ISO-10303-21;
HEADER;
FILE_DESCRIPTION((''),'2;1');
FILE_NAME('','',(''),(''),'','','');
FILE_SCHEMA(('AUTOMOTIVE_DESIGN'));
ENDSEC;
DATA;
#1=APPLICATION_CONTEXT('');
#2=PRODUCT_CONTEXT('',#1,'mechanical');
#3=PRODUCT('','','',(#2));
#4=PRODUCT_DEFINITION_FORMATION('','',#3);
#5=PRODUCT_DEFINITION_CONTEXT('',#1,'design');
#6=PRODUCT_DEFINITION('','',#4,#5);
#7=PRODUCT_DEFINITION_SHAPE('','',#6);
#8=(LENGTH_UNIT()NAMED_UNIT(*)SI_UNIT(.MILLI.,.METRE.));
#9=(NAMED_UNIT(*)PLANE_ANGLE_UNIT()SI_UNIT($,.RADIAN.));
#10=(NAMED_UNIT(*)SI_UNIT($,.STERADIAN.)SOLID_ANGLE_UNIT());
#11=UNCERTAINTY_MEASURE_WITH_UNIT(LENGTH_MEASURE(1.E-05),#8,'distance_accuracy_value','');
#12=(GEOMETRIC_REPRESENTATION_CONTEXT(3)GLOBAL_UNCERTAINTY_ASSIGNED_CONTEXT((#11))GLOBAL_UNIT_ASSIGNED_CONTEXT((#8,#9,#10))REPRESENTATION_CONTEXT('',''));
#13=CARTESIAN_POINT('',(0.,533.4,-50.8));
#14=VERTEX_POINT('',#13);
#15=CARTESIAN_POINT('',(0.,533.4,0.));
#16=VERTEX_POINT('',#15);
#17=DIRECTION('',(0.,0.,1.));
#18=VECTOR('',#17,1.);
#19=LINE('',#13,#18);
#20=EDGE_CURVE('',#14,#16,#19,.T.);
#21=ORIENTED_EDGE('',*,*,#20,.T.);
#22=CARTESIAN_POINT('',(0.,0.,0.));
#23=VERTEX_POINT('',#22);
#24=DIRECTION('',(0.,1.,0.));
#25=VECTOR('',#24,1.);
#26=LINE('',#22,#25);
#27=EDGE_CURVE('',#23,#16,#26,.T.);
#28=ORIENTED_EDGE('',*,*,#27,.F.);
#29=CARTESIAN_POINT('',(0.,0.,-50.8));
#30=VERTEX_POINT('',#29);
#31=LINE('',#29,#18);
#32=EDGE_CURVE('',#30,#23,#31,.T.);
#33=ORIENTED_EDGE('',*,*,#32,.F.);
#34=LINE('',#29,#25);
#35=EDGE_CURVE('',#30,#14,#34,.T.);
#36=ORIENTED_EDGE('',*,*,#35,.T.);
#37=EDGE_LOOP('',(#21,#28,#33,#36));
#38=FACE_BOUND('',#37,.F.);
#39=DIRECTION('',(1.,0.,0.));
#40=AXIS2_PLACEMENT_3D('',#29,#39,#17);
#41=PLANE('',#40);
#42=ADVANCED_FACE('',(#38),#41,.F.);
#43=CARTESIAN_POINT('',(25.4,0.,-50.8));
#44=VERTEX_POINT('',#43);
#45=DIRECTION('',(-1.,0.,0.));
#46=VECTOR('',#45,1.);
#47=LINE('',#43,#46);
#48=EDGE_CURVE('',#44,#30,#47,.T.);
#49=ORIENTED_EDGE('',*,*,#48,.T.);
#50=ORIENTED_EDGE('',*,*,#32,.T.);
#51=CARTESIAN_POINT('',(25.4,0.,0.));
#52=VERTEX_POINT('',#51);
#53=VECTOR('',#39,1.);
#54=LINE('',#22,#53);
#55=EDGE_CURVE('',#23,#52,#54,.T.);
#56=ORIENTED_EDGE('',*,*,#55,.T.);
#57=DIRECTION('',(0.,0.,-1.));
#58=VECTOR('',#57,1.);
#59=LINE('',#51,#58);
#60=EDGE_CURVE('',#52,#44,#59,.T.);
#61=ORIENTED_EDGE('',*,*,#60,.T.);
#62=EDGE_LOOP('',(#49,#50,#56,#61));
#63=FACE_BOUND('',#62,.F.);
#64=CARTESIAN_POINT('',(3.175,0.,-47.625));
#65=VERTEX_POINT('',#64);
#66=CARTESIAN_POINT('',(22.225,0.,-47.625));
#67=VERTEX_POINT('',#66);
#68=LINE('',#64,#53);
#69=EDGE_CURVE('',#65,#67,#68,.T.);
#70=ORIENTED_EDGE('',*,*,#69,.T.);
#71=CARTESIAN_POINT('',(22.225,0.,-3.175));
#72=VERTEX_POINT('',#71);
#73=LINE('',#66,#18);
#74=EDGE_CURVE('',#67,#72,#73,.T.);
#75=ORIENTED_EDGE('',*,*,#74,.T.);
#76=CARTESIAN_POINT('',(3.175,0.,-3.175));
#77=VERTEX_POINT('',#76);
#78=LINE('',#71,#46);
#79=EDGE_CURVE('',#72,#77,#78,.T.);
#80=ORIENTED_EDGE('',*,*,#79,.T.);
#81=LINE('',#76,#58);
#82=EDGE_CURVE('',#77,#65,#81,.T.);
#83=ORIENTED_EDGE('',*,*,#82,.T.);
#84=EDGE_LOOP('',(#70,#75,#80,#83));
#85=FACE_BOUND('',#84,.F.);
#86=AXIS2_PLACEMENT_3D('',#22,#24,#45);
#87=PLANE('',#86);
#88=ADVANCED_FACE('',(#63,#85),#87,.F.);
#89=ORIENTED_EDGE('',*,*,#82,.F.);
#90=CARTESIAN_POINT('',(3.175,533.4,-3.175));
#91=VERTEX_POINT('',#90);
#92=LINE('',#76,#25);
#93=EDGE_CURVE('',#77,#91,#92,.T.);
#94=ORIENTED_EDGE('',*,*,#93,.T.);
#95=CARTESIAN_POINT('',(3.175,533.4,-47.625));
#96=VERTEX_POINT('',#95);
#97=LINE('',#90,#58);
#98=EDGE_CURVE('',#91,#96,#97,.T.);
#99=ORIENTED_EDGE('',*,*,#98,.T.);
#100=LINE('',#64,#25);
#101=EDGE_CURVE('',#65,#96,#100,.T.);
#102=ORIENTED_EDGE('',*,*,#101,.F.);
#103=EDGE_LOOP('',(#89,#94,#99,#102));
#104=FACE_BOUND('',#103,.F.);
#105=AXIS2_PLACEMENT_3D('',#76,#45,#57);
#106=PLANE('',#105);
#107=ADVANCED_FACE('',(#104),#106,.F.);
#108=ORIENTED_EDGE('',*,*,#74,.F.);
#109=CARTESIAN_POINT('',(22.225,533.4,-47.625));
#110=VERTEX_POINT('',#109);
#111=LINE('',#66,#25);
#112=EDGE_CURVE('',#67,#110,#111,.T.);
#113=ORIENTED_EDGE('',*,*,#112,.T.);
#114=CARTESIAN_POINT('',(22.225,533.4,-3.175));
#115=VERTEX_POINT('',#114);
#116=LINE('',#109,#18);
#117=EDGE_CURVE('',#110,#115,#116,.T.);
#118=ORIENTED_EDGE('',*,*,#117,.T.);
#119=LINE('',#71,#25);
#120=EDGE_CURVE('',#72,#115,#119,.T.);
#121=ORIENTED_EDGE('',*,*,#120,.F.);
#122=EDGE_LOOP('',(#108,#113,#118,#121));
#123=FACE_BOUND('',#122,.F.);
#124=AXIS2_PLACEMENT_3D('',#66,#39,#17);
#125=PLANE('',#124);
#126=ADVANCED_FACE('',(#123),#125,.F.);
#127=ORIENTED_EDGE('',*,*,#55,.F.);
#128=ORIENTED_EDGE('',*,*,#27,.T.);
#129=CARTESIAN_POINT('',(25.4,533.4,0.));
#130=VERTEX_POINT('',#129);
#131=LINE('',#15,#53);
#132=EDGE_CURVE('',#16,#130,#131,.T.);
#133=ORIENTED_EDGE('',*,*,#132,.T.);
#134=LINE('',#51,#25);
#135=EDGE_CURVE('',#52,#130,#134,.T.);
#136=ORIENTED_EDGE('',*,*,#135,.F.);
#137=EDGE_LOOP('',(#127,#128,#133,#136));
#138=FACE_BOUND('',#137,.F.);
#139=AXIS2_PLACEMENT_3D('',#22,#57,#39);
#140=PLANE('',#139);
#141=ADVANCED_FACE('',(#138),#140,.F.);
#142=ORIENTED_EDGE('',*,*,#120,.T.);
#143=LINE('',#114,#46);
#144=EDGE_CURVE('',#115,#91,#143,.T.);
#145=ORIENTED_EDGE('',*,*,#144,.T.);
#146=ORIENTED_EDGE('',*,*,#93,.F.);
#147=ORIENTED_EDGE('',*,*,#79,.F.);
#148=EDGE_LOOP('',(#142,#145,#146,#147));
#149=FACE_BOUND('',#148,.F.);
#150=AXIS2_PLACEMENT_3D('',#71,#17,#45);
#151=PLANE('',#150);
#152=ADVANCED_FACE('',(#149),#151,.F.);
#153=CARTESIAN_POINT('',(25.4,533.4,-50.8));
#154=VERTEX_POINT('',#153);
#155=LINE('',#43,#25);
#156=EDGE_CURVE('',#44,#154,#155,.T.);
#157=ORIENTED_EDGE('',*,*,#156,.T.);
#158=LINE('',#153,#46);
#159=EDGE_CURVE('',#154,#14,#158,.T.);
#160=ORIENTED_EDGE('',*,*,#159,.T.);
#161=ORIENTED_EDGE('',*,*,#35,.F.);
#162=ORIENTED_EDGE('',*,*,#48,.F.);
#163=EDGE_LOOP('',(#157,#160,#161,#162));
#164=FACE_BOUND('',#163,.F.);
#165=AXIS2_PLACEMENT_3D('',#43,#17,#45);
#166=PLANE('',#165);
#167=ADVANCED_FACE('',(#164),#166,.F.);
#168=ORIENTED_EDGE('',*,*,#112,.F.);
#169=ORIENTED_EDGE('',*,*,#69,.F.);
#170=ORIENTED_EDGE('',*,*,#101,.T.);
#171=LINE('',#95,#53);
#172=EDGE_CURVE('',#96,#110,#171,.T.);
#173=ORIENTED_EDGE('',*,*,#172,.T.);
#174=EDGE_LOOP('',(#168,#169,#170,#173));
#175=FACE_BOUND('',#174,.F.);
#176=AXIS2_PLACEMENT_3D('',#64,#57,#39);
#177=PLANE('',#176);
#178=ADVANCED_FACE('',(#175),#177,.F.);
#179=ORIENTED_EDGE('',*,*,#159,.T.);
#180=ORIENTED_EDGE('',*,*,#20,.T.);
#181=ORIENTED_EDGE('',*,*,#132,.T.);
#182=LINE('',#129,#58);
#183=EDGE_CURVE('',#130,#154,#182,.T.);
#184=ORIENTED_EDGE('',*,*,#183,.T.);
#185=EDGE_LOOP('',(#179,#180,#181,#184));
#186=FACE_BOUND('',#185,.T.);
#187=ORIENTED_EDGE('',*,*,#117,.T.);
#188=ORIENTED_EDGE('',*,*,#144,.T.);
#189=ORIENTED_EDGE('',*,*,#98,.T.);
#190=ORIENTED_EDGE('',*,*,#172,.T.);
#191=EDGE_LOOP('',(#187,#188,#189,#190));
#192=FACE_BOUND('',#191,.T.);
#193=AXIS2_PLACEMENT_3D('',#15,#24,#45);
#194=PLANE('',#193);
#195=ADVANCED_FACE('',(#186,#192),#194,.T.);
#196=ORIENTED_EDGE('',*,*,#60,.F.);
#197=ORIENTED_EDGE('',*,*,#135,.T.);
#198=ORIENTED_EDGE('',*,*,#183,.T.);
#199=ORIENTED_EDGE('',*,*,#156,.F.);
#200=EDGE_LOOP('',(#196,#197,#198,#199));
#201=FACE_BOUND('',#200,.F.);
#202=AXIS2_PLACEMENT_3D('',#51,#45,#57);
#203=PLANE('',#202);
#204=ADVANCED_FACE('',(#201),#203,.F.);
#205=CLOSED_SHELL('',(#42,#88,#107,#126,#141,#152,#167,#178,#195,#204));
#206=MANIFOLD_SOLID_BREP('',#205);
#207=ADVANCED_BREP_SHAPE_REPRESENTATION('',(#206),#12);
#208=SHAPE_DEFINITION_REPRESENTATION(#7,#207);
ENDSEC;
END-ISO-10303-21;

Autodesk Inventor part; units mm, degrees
ref_plane "YZ Plane" through (0, 0, 0) normal (1, 0, 0) x (0, 1, 0)
ref_plane "XZ Plane" through (0, 0, 0) normal (0, 1, 0) x (-1, 0, 0)
ref_plane "XY Plane" through (0, 0, 0) normal (0, 0, 1) x (1, 0, 0)
sketch "Sketch1" plane through (0, 0, 0) normal (0, 1, 0) x (-1, 0, 0)
  line L0 (0, 0) -> (-25.4, 0)
  line L1 (-25.4, 0) -> (-25.4, -50.8)
  line L2 (-25.4, -50.8) -> (0, -50.8)
  line L3 (0, -50.8) -> (0, 0)
  line L4 (-3.175, -47.625) -> (-22.225, -47.625)
  line L5 (-22.225, -47.625) -> (-22.225, -3.175)
  line L6 (-22.225, -3.175) -> (-3.175, -3.175)
  line L7 (-3.175, -3.175) -> (-3.175, -47.625)
  dimension "d0" = 25.4
  dimension "d1" = 50.8
  dimension "d2" = 3.175
  dimension "d3" = 3.175
  dimension "d4" = 3.175
  dimension "d5" = 3.175
extrude "Extrusion1" add sketch "Sketch1" along normal blind 533.4
properties part number "1x2x23" material "Aluminum 6061"
